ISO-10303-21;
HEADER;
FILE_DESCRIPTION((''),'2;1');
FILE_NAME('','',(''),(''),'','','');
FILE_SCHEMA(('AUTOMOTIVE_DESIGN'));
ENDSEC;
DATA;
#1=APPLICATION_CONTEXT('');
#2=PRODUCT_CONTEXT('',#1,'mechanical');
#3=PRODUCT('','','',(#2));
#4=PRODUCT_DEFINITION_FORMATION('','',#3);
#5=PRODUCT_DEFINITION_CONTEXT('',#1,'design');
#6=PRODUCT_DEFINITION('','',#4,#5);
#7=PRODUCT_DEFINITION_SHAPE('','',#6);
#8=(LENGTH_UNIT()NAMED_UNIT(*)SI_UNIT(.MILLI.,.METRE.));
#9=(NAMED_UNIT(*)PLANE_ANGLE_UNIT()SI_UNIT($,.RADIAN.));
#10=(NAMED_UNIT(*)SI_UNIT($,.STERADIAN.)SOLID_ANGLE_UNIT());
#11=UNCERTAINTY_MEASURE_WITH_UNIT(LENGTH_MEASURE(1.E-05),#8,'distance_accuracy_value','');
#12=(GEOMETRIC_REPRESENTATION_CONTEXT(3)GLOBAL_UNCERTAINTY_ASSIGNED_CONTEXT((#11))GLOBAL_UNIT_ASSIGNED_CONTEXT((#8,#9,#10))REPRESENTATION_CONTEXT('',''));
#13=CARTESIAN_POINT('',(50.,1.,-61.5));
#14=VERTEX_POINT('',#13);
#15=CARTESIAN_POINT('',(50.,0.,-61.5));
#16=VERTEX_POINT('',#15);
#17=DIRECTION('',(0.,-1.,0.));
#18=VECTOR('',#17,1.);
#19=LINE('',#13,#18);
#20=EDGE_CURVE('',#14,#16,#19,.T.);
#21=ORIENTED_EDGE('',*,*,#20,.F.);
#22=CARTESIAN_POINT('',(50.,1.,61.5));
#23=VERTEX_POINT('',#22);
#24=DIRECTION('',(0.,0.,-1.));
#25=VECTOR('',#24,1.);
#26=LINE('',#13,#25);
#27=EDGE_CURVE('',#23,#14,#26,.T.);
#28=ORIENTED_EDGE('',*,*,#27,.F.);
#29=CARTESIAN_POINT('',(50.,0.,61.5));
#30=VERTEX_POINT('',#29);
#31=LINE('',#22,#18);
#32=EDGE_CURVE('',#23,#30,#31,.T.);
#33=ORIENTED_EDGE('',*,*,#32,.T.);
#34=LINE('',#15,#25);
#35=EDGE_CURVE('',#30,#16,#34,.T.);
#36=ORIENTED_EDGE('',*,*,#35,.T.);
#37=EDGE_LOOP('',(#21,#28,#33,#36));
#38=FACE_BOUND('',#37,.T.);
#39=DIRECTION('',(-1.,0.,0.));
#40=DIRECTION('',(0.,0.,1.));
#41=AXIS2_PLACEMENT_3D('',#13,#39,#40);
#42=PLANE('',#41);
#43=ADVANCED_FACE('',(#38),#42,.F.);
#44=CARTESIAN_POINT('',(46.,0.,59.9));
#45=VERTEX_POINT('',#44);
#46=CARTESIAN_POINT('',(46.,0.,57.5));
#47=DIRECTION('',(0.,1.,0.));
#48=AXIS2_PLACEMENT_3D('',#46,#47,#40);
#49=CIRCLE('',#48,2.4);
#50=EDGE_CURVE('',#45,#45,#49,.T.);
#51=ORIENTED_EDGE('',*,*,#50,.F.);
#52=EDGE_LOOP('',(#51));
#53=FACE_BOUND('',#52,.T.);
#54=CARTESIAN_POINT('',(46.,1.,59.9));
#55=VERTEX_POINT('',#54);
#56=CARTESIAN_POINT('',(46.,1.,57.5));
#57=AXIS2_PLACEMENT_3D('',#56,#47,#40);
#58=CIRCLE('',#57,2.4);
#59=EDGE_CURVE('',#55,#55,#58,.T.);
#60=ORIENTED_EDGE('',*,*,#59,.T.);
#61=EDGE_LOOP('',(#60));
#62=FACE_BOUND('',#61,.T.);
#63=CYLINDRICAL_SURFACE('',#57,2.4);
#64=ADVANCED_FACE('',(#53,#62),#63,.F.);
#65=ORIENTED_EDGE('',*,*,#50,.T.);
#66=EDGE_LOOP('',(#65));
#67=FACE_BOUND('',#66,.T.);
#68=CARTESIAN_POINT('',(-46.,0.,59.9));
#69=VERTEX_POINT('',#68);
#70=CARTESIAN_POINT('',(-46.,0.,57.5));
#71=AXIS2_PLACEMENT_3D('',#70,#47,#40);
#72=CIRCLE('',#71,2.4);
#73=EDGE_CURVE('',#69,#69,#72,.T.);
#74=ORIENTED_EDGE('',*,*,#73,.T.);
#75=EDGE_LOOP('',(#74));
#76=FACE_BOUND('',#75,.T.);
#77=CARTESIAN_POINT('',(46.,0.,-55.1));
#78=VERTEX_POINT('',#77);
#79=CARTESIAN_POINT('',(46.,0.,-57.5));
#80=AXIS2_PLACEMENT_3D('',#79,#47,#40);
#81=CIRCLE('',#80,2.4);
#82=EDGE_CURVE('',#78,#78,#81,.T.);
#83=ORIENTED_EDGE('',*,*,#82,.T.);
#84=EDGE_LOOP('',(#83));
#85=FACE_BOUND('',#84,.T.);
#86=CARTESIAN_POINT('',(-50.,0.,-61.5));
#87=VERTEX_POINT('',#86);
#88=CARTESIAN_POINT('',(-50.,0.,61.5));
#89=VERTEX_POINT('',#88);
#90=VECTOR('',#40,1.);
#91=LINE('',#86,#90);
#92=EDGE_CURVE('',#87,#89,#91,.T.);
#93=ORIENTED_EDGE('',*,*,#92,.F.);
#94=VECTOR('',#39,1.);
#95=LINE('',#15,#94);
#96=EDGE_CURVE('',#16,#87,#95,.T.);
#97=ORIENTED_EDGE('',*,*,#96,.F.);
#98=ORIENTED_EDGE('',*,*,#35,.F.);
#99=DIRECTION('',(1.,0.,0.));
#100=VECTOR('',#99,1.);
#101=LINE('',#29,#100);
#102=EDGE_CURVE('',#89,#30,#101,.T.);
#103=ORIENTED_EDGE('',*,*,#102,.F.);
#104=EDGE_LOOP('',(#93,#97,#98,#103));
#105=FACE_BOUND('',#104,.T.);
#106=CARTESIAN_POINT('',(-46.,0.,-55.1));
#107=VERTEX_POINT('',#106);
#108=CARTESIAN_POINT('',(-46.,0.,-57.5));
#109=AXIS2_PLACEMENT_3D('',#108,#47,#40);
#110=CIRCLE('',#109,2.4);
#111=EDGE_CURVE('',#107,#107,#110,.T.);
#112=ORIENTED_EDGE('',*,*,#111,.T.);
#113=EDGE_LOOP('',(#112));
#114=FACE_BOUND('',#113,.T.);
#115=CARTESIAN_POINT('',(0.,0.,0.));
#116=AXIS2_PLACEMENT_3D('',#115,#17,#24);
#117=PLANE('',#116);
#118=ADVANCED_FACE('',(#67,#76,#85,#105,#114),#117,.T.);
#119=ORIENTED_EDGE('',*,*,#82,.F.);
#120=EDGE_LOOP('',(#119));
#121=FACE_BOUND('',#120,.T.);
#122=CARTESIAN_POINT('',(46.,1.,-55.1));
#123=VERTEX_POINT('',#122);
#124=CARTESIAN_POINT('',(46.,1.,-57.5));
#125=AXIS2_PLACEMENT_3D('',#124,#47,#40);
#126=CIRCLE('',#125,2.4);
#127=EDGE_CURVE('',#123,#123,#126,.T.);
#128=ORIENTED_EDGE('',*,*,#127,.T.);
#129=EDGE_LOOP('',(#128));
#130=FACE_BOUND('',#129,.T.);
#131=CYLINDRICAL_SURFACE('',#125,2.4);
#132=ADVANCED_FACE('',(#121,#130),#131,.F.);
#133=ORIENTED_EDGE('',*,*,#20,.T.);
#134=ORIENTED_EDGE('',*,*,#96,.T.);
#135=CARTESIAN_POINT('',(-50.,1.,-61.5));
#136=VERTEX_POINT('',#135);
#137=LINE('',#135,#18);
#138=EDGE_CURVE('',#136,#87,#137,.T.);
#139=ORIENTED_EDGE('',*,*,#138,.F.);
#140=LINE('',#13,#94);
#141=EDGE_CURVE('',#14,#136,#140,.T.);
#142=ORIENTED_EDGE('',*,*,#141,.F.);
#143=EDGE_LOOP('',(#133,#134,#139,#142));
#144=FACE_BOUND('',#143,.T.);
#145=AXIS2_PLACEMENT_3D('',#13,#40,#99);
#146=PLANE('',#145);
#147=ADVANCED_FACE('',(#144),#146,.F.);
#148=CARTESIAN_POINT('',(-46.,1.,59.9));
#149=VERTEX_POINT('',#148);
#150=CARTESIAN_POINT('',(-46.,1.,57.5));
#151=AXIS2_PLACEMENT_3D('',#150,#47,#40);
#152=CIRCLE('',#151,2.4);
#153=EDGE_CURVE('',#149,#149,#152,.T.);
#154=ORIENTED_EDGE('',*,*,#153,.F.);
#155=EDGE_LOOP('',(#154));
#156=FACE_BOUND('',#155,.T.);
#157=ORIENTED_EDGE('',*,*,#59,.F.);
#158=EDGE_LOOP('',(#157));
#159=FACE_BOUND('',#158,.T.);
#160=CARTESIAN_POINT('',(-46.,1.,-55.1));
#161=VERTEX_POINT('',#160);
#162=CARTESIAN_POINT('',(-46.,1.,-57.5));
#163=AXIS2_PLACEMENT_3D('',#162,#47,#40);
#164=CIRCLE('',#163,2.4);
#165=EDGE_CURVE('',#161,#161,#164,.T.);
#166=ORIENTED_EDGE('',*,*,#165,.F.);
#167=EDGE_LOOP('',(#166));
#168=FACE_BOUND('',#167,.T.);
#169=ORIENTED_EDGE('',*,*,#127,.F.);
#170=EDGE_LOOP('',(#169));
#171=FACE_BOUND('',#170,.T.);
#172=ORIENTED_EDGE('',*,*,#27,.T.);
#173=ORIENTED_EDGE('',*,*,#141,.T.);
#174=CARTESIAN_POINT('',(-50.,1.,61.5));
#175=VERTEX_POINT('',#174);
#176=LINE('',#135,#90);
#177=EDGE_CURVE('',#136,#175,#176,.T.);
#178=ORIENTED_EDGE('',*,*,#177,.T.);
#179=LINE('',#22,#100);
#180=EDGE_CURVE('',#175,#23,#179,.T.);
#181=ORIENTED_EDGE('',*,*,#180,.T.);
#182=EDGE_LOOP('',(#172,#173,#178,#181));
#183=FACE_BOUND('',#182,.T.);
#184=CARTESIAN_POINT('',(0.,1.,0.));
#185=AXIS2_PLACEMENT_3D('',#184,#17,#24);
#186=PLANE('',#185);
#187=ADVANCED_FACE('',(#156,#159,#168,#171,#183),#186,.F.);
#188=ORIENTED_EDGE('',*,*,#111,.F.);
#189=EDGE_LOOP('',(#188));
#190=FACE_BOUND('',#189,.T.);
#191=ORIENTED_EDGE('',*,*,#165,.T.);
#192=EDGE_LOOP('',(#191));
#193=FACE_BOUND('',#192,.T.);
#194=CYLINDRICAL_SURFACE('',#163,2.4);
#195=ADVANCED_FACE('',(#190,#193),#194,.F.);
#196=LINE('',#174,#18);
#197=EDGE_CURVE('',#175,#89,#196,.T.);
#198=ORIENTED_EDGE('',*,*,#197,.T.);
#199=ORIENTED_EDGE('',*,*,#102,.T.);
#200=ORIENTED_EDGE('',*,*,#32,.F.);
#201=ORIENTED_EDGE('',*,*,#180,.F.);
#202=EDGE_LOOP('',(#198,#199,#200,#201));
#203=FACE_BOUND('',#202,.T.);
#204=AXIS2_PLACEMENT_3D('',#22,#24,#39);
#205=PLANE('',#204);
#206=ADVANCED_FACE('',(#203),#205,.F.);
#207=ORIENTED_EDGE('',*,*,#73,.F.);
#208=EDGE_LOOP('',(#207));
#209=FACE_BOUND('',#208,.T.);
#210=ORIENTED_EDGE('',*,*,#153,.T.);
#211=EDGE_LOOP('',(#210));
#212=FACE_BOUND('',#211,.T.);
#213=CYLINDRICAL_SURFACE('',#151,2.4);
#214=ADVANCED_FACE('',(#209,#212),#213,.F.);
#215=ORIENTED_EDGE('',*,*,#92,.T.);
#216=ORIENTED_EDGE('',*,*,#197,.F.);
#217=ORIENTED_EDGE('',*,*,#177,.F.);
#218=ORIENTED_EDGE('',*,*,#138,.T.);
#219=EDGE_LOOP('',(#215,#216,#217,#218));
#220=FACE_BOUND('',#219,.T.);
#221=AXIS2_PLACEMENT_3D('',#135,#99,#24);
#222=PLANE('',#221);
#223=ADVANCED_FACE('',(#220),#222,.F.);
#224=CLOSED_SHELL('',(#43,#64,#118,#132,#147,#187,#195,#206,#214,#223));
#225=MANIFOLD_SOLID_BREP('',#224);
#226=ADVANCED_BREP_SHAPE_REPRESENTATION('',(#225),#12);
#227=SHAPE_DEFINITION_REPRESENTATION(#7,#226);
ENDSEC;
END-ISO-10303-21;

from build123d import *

# Parameters (mm, degrees)
SKETCH1_W            = 100
SKETCH1_H            = 123
BOSS_EXTRUDE1_DEPTH  = 1
M4_CLEARANCE_HOLE1_D = 4.8


with BuildPart() as part:
    # Sketch1 → Boss-Extrude1 (new body)
    with BuildSketch(Plane(origin=(0, 0, 0), x_dir=(1, 0, 0), z_dir=(0, 1, 0))):
        Rectangle(SKETCH1_W, SKETCH1_H)
    extrude(amount=BOSS_EXTRUDE1_DEPTH)

    # M4 Clearance Hole1 (through all)
    with Locations(Plane(origin=(0, 1, 0), x_dir=(1, 0, 0), z_dir=(0, 1, 0))):
        with Locations((-46, -57.5), (-46, 57.5), (46, 57.5), (46, -57.5)):
            Hole(M4_CLEARANCE_HOLE1_D / 2)


solid = part.part
